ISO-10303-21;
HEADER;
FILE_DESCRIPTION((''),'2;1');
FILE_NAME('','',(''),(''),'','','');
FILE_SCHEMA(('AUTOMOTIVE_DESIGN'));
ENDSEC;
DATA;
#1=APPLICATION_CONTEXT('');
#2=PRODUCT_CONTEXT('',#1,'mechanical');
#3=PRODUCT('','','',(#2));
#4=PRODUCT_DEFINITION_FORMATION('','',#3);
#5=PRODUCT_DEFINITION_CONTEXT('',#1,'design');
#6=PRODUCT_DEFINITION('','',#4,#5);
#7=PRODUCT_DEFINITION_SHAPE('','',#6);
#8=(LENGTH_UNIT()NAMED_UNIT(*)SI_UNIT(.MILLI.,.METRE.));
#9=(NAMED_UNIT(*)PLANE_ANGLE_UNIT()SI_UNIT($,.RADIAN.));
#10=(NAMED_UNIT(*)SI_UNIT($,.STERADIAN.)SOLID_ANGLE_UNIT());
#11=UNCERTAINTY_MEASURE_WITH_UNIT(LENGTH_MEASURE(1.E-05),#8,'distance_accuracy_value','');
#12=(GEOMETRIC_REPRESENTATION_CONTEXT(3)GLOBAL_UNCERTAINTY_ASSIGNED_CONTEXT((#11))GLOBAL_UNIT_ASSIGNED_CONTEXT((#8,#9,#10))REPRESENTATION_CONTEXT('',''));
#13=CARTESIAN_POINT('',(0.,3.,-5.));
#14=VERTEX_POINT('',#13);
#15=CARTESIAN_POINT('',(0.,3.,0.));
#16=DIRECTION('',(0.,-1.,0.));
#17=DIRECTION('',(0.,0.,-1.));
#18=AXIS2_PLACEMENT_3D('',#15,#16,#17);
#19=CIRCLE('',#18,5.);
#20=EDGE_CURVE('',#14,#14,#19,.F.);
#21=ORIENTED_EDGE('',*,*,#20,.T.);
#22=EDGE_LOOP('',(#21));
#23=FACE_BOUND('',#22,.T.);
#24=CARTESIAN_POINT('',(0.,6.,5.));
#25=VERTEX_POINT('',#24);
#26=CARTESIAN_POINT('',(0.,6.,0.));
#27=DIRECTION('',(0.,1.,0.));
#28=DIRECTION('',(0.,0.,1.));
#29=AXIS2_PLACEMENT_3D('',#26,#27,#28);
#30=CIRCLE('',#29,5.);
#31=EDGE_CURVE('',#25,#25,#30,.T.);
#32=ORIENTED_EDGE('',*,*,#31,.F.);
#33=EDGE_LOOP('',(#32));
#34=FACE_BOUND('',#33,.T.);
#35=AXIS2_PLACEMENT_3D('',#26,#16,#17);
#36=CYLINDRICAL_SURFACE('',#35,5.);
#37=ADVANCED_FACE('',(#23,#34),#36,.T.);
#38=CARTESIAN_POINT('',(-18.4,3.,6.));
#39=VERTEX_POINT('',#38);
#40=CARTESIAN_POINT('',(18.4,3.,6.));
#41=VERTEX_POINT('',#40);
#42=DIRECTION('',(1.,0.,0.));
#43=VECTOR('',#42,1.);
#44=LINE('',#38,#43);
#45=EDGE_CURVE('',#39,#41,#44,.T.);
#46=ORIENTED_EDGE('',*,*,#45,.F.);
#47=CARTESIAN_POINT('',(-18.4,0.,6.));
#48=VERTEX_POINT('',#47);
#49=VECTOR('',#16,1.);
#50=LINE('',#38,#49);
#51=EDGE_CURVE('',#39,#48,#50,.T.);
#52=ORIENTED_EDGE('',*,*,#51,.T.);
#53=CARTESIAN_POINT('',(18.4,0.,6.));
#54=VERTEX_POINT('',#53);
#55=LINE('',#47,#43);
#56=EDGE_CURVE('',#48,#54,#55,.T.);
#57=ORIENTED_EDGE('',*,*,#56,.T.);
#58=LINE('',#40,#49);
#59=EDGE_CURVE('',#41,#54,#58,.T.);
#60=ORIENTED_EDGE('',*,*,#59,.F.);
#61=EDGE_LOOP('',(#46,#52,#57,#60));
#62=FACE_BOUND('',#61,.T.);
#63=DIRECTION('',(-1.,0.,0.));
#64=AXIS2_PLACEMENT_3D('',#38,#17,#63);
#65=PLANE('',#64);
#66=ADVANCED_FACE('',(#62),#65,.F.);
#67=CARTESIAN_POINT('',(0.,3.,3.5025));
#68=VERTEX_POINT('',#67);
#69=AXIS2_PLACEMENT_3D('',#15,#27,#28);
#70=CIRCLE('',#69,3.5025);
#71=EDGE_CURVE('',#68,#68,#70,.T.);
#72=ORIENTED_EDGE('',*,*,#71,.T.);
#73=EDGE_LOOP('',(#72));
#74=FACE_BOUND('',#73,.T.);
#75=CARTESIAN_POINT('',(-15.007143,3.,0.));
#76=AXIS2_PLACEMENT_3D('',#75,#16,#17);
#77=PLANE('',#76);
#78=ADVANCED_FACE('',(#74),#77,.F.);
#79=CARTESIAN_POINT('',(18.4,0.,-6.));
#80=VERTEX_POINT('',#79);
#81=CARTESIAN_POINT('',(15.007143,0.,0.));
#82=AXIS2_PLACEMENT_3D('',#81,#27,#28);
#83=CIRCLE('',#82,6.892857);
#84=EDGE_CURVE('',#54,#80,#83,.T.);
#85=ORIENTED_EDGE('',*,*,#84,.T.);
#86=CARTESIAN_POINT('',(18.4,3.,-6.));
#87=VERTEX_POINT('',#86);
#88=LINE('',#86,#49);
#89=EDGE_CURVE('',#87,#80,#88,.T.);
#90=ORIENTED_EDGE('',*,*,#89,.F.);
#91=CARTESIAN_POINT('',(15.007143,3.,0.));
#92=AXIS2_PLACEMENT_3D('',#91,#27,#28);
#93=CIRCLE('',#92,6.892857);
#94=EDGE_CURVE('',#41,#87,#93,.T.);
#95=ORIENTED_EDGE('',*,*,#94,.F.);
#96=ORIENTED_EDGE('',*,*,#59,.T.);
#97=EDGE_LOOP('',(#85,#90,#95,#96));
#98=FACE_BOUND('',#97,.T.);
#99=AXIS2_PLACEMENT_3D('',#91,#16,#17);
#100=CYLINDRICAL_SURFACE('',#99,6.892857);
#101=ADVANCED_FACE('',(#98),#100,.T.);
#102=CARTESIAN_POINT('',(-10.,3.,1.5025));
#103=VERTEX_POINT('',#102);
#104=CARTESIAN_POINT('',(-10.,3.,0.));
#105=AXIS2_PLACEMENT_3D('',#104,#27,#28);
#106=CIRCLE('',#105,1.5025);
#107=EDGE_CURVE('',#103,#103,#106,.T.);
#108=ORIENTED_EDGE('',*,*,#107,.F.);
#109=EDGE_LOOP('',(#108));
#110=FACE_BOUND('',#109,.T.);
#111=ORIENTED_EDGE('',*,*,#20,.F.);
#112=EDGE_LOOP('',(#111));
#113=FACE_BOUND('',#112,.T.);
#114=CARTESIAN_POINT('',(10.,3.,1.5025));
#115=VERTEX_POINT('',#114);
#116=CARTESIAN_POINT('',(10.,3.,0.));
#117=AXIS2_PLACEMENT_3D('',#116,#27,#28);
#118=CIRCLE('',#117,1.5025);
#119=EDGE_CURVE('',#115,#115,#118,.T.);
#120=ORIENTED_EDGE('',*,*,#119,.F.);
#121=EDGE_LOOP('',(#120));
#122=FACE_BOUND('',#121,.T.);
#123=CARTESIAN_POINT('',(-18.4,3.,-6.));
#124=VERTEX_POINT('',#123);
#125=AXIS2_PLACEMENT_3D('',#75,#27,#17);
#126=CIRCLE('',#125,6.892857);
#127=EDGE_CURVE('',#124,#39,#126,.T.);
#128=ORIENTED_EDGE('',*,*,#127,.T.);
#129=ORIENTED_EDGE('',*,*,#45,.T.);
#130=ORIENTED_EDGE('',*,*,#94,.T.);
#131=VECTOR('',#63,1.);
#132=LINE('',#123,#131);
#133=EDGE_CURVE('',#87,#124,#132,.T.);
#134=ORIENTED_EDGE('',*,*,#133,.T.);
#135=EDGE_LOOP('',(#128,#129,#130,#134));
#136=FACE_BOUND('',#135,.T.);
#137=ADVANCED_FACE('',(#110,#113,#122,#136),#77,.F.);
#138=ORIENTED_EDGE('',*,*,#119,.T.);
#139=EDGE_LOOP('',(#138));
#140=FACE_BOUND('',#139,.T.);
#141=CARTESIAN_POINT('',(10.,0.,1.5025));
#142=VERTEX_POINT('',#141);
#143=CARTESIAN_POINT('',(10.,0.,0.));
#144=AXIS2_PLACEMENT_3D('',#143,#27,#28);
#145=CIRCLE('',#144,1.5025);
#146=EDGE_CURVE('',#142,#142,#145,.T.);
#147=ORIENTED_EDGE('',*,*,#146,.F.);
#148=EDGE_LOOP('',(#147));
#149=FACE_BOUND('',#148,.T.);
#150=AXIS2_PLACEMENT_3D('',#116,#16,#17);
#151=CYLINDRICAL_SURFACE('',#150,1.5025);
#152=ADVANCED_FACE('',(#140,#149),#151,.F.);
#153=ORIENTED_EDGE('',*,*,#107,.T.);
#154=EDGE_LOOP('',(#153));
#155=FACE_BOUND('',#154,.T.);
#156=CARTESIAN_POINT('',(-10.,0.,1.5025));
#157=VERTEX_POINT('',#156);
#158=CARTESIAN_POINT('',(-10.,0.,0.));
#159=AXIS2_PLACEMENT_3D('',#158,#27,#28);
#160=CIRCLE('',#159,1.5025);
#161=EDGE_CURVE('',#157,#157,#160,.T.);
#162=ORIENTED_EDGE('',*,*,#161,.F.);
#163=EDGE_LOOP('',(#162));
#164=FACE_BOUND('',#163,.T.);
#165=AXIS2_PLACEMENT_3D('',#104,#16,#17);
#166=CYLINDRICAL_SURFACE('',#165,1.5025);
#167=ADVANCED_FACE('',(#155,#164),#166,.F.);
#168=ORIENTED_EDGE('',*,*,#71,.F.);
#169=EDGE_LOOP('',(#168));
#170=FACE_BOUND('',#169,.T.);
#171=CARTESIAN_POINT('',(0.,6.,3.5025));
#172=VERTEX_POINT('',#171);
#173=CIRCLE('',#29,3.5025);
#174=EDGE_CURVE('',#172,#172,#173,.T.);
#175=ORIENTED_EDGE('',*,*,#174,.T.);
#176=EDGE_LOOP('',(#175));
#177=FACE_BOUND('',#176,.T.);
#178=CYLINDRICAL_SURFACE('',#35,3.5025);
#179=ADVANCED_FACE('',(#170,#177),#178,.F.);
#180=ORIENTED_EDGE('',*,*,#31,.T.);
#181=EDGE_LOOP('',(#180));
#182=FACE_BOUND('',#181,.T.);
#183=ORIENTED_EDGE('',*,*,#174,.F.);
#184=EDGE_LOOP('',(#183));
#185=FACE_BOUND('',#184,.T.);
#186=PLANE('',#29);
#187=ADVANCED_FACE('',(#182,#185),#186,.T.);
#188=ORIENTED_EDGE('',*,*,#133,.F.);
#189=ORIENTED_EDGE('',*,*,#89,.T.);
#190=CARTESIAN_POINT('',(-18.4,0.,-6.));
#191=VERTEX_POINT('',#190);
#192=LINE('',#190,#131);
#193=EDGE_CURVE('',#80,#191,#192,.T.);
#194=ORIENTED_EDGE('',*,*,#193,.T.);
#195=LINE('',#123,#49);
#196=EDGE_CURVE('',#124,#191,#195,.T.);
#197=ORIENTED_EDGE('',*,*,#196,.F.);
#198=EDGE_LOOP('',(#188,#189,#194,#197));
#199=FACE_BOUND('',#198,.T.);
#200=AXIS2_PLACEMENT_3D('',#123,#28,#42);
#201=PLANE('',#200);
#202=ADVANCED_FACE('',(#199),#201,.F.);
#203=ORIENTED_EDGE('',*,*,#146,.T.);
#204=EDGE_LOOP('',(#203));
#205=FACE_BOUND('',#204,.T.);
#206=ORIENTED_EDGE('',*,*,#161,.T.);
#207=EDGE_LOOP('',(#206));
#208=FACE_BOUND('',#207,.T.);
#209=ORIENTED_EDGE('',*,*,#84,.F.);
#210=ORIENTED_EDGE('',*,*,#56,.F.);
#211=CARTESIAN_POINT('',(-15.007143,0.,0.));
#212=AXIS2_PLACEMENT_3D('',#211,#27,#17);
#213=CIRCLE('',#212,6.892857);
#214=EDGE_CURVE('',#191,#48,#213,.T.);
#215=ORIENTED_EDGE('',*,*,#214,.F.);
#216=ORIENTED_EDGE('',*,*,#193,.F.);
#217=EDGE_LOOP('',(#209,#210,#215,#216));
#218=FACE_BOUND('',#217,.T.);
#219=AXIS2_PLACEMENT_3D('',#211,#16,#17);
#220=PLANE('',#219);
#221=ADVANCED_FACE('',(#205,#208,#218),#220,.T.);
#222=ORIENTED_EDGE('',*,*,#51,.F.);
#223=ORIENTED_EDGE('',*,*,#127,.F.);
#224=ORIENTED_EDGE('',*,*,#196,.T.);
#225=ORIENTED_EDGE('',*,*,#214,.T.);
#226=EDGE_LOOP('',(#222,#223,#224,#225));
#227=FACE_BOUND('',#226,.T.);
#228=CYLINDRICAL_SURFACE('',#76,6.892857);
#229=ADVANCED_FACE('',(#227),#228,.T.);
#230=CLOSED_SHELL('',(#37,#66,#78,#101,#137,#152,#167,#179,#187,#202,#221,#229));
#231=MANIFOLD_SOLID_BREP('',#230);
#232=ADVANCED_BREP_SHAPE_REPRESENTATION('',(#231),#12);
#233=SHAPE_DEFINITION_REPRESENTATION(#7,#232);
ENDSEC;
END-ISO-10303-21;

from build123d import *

# Parameters (mm, degrees)
SKETCH1_R           = 1.5025
BOSS_EXTRUDE1_DEPTH = 3
SKETCH2_R           = 5
SKETCH2_R_2         = 3.5025
BOSS_EXTRUDE2_DEPTH = 3


with BuildPart() as part:
    # Sketch1 → Boss-Extrude1 (new body)
    with BuildSketch(Plane(origin=(0, 0, 0), x_dir=(1, 0, 0), z_dir=(0, 1, 0))):
        with BuildLine():
            Line((-18.4, 6), (18.4, 6))
            ThreePointArc((18.4, 6), (21.9, 0), (18.4, -6))
            Line((18.4, -6), (-18.4, -6))
            ThreePointArc((-18.4, -6), (-21.9, 0), (-18.4, 6))
        make_face()
        with Locations((10, 0)):
            Circle(SKETCH1_R, mode=Mode.SUBTRACT)
        with Locations((-10, 0)):
            Circle(SKETCH1_R, mode=Mode.SUBTRACT)
    extrude(amount=BOSS_EXTRUDE1_DEPTH)

    # Sketch2 → Boss-Extrude2 (add)
    with BuildSketch(Plane(origin=(0, 3, 0), x_dir=(1, 0, 0), z_dir=(0, 1, 0))):
        Circle(SKETCH2_R)
        Circle(SKETCH2_R_2, mode=Mode.SUBTRACT)
    extrude(amount=BOSS_EXTRUDE2_DEPTH)


solid = part.part
